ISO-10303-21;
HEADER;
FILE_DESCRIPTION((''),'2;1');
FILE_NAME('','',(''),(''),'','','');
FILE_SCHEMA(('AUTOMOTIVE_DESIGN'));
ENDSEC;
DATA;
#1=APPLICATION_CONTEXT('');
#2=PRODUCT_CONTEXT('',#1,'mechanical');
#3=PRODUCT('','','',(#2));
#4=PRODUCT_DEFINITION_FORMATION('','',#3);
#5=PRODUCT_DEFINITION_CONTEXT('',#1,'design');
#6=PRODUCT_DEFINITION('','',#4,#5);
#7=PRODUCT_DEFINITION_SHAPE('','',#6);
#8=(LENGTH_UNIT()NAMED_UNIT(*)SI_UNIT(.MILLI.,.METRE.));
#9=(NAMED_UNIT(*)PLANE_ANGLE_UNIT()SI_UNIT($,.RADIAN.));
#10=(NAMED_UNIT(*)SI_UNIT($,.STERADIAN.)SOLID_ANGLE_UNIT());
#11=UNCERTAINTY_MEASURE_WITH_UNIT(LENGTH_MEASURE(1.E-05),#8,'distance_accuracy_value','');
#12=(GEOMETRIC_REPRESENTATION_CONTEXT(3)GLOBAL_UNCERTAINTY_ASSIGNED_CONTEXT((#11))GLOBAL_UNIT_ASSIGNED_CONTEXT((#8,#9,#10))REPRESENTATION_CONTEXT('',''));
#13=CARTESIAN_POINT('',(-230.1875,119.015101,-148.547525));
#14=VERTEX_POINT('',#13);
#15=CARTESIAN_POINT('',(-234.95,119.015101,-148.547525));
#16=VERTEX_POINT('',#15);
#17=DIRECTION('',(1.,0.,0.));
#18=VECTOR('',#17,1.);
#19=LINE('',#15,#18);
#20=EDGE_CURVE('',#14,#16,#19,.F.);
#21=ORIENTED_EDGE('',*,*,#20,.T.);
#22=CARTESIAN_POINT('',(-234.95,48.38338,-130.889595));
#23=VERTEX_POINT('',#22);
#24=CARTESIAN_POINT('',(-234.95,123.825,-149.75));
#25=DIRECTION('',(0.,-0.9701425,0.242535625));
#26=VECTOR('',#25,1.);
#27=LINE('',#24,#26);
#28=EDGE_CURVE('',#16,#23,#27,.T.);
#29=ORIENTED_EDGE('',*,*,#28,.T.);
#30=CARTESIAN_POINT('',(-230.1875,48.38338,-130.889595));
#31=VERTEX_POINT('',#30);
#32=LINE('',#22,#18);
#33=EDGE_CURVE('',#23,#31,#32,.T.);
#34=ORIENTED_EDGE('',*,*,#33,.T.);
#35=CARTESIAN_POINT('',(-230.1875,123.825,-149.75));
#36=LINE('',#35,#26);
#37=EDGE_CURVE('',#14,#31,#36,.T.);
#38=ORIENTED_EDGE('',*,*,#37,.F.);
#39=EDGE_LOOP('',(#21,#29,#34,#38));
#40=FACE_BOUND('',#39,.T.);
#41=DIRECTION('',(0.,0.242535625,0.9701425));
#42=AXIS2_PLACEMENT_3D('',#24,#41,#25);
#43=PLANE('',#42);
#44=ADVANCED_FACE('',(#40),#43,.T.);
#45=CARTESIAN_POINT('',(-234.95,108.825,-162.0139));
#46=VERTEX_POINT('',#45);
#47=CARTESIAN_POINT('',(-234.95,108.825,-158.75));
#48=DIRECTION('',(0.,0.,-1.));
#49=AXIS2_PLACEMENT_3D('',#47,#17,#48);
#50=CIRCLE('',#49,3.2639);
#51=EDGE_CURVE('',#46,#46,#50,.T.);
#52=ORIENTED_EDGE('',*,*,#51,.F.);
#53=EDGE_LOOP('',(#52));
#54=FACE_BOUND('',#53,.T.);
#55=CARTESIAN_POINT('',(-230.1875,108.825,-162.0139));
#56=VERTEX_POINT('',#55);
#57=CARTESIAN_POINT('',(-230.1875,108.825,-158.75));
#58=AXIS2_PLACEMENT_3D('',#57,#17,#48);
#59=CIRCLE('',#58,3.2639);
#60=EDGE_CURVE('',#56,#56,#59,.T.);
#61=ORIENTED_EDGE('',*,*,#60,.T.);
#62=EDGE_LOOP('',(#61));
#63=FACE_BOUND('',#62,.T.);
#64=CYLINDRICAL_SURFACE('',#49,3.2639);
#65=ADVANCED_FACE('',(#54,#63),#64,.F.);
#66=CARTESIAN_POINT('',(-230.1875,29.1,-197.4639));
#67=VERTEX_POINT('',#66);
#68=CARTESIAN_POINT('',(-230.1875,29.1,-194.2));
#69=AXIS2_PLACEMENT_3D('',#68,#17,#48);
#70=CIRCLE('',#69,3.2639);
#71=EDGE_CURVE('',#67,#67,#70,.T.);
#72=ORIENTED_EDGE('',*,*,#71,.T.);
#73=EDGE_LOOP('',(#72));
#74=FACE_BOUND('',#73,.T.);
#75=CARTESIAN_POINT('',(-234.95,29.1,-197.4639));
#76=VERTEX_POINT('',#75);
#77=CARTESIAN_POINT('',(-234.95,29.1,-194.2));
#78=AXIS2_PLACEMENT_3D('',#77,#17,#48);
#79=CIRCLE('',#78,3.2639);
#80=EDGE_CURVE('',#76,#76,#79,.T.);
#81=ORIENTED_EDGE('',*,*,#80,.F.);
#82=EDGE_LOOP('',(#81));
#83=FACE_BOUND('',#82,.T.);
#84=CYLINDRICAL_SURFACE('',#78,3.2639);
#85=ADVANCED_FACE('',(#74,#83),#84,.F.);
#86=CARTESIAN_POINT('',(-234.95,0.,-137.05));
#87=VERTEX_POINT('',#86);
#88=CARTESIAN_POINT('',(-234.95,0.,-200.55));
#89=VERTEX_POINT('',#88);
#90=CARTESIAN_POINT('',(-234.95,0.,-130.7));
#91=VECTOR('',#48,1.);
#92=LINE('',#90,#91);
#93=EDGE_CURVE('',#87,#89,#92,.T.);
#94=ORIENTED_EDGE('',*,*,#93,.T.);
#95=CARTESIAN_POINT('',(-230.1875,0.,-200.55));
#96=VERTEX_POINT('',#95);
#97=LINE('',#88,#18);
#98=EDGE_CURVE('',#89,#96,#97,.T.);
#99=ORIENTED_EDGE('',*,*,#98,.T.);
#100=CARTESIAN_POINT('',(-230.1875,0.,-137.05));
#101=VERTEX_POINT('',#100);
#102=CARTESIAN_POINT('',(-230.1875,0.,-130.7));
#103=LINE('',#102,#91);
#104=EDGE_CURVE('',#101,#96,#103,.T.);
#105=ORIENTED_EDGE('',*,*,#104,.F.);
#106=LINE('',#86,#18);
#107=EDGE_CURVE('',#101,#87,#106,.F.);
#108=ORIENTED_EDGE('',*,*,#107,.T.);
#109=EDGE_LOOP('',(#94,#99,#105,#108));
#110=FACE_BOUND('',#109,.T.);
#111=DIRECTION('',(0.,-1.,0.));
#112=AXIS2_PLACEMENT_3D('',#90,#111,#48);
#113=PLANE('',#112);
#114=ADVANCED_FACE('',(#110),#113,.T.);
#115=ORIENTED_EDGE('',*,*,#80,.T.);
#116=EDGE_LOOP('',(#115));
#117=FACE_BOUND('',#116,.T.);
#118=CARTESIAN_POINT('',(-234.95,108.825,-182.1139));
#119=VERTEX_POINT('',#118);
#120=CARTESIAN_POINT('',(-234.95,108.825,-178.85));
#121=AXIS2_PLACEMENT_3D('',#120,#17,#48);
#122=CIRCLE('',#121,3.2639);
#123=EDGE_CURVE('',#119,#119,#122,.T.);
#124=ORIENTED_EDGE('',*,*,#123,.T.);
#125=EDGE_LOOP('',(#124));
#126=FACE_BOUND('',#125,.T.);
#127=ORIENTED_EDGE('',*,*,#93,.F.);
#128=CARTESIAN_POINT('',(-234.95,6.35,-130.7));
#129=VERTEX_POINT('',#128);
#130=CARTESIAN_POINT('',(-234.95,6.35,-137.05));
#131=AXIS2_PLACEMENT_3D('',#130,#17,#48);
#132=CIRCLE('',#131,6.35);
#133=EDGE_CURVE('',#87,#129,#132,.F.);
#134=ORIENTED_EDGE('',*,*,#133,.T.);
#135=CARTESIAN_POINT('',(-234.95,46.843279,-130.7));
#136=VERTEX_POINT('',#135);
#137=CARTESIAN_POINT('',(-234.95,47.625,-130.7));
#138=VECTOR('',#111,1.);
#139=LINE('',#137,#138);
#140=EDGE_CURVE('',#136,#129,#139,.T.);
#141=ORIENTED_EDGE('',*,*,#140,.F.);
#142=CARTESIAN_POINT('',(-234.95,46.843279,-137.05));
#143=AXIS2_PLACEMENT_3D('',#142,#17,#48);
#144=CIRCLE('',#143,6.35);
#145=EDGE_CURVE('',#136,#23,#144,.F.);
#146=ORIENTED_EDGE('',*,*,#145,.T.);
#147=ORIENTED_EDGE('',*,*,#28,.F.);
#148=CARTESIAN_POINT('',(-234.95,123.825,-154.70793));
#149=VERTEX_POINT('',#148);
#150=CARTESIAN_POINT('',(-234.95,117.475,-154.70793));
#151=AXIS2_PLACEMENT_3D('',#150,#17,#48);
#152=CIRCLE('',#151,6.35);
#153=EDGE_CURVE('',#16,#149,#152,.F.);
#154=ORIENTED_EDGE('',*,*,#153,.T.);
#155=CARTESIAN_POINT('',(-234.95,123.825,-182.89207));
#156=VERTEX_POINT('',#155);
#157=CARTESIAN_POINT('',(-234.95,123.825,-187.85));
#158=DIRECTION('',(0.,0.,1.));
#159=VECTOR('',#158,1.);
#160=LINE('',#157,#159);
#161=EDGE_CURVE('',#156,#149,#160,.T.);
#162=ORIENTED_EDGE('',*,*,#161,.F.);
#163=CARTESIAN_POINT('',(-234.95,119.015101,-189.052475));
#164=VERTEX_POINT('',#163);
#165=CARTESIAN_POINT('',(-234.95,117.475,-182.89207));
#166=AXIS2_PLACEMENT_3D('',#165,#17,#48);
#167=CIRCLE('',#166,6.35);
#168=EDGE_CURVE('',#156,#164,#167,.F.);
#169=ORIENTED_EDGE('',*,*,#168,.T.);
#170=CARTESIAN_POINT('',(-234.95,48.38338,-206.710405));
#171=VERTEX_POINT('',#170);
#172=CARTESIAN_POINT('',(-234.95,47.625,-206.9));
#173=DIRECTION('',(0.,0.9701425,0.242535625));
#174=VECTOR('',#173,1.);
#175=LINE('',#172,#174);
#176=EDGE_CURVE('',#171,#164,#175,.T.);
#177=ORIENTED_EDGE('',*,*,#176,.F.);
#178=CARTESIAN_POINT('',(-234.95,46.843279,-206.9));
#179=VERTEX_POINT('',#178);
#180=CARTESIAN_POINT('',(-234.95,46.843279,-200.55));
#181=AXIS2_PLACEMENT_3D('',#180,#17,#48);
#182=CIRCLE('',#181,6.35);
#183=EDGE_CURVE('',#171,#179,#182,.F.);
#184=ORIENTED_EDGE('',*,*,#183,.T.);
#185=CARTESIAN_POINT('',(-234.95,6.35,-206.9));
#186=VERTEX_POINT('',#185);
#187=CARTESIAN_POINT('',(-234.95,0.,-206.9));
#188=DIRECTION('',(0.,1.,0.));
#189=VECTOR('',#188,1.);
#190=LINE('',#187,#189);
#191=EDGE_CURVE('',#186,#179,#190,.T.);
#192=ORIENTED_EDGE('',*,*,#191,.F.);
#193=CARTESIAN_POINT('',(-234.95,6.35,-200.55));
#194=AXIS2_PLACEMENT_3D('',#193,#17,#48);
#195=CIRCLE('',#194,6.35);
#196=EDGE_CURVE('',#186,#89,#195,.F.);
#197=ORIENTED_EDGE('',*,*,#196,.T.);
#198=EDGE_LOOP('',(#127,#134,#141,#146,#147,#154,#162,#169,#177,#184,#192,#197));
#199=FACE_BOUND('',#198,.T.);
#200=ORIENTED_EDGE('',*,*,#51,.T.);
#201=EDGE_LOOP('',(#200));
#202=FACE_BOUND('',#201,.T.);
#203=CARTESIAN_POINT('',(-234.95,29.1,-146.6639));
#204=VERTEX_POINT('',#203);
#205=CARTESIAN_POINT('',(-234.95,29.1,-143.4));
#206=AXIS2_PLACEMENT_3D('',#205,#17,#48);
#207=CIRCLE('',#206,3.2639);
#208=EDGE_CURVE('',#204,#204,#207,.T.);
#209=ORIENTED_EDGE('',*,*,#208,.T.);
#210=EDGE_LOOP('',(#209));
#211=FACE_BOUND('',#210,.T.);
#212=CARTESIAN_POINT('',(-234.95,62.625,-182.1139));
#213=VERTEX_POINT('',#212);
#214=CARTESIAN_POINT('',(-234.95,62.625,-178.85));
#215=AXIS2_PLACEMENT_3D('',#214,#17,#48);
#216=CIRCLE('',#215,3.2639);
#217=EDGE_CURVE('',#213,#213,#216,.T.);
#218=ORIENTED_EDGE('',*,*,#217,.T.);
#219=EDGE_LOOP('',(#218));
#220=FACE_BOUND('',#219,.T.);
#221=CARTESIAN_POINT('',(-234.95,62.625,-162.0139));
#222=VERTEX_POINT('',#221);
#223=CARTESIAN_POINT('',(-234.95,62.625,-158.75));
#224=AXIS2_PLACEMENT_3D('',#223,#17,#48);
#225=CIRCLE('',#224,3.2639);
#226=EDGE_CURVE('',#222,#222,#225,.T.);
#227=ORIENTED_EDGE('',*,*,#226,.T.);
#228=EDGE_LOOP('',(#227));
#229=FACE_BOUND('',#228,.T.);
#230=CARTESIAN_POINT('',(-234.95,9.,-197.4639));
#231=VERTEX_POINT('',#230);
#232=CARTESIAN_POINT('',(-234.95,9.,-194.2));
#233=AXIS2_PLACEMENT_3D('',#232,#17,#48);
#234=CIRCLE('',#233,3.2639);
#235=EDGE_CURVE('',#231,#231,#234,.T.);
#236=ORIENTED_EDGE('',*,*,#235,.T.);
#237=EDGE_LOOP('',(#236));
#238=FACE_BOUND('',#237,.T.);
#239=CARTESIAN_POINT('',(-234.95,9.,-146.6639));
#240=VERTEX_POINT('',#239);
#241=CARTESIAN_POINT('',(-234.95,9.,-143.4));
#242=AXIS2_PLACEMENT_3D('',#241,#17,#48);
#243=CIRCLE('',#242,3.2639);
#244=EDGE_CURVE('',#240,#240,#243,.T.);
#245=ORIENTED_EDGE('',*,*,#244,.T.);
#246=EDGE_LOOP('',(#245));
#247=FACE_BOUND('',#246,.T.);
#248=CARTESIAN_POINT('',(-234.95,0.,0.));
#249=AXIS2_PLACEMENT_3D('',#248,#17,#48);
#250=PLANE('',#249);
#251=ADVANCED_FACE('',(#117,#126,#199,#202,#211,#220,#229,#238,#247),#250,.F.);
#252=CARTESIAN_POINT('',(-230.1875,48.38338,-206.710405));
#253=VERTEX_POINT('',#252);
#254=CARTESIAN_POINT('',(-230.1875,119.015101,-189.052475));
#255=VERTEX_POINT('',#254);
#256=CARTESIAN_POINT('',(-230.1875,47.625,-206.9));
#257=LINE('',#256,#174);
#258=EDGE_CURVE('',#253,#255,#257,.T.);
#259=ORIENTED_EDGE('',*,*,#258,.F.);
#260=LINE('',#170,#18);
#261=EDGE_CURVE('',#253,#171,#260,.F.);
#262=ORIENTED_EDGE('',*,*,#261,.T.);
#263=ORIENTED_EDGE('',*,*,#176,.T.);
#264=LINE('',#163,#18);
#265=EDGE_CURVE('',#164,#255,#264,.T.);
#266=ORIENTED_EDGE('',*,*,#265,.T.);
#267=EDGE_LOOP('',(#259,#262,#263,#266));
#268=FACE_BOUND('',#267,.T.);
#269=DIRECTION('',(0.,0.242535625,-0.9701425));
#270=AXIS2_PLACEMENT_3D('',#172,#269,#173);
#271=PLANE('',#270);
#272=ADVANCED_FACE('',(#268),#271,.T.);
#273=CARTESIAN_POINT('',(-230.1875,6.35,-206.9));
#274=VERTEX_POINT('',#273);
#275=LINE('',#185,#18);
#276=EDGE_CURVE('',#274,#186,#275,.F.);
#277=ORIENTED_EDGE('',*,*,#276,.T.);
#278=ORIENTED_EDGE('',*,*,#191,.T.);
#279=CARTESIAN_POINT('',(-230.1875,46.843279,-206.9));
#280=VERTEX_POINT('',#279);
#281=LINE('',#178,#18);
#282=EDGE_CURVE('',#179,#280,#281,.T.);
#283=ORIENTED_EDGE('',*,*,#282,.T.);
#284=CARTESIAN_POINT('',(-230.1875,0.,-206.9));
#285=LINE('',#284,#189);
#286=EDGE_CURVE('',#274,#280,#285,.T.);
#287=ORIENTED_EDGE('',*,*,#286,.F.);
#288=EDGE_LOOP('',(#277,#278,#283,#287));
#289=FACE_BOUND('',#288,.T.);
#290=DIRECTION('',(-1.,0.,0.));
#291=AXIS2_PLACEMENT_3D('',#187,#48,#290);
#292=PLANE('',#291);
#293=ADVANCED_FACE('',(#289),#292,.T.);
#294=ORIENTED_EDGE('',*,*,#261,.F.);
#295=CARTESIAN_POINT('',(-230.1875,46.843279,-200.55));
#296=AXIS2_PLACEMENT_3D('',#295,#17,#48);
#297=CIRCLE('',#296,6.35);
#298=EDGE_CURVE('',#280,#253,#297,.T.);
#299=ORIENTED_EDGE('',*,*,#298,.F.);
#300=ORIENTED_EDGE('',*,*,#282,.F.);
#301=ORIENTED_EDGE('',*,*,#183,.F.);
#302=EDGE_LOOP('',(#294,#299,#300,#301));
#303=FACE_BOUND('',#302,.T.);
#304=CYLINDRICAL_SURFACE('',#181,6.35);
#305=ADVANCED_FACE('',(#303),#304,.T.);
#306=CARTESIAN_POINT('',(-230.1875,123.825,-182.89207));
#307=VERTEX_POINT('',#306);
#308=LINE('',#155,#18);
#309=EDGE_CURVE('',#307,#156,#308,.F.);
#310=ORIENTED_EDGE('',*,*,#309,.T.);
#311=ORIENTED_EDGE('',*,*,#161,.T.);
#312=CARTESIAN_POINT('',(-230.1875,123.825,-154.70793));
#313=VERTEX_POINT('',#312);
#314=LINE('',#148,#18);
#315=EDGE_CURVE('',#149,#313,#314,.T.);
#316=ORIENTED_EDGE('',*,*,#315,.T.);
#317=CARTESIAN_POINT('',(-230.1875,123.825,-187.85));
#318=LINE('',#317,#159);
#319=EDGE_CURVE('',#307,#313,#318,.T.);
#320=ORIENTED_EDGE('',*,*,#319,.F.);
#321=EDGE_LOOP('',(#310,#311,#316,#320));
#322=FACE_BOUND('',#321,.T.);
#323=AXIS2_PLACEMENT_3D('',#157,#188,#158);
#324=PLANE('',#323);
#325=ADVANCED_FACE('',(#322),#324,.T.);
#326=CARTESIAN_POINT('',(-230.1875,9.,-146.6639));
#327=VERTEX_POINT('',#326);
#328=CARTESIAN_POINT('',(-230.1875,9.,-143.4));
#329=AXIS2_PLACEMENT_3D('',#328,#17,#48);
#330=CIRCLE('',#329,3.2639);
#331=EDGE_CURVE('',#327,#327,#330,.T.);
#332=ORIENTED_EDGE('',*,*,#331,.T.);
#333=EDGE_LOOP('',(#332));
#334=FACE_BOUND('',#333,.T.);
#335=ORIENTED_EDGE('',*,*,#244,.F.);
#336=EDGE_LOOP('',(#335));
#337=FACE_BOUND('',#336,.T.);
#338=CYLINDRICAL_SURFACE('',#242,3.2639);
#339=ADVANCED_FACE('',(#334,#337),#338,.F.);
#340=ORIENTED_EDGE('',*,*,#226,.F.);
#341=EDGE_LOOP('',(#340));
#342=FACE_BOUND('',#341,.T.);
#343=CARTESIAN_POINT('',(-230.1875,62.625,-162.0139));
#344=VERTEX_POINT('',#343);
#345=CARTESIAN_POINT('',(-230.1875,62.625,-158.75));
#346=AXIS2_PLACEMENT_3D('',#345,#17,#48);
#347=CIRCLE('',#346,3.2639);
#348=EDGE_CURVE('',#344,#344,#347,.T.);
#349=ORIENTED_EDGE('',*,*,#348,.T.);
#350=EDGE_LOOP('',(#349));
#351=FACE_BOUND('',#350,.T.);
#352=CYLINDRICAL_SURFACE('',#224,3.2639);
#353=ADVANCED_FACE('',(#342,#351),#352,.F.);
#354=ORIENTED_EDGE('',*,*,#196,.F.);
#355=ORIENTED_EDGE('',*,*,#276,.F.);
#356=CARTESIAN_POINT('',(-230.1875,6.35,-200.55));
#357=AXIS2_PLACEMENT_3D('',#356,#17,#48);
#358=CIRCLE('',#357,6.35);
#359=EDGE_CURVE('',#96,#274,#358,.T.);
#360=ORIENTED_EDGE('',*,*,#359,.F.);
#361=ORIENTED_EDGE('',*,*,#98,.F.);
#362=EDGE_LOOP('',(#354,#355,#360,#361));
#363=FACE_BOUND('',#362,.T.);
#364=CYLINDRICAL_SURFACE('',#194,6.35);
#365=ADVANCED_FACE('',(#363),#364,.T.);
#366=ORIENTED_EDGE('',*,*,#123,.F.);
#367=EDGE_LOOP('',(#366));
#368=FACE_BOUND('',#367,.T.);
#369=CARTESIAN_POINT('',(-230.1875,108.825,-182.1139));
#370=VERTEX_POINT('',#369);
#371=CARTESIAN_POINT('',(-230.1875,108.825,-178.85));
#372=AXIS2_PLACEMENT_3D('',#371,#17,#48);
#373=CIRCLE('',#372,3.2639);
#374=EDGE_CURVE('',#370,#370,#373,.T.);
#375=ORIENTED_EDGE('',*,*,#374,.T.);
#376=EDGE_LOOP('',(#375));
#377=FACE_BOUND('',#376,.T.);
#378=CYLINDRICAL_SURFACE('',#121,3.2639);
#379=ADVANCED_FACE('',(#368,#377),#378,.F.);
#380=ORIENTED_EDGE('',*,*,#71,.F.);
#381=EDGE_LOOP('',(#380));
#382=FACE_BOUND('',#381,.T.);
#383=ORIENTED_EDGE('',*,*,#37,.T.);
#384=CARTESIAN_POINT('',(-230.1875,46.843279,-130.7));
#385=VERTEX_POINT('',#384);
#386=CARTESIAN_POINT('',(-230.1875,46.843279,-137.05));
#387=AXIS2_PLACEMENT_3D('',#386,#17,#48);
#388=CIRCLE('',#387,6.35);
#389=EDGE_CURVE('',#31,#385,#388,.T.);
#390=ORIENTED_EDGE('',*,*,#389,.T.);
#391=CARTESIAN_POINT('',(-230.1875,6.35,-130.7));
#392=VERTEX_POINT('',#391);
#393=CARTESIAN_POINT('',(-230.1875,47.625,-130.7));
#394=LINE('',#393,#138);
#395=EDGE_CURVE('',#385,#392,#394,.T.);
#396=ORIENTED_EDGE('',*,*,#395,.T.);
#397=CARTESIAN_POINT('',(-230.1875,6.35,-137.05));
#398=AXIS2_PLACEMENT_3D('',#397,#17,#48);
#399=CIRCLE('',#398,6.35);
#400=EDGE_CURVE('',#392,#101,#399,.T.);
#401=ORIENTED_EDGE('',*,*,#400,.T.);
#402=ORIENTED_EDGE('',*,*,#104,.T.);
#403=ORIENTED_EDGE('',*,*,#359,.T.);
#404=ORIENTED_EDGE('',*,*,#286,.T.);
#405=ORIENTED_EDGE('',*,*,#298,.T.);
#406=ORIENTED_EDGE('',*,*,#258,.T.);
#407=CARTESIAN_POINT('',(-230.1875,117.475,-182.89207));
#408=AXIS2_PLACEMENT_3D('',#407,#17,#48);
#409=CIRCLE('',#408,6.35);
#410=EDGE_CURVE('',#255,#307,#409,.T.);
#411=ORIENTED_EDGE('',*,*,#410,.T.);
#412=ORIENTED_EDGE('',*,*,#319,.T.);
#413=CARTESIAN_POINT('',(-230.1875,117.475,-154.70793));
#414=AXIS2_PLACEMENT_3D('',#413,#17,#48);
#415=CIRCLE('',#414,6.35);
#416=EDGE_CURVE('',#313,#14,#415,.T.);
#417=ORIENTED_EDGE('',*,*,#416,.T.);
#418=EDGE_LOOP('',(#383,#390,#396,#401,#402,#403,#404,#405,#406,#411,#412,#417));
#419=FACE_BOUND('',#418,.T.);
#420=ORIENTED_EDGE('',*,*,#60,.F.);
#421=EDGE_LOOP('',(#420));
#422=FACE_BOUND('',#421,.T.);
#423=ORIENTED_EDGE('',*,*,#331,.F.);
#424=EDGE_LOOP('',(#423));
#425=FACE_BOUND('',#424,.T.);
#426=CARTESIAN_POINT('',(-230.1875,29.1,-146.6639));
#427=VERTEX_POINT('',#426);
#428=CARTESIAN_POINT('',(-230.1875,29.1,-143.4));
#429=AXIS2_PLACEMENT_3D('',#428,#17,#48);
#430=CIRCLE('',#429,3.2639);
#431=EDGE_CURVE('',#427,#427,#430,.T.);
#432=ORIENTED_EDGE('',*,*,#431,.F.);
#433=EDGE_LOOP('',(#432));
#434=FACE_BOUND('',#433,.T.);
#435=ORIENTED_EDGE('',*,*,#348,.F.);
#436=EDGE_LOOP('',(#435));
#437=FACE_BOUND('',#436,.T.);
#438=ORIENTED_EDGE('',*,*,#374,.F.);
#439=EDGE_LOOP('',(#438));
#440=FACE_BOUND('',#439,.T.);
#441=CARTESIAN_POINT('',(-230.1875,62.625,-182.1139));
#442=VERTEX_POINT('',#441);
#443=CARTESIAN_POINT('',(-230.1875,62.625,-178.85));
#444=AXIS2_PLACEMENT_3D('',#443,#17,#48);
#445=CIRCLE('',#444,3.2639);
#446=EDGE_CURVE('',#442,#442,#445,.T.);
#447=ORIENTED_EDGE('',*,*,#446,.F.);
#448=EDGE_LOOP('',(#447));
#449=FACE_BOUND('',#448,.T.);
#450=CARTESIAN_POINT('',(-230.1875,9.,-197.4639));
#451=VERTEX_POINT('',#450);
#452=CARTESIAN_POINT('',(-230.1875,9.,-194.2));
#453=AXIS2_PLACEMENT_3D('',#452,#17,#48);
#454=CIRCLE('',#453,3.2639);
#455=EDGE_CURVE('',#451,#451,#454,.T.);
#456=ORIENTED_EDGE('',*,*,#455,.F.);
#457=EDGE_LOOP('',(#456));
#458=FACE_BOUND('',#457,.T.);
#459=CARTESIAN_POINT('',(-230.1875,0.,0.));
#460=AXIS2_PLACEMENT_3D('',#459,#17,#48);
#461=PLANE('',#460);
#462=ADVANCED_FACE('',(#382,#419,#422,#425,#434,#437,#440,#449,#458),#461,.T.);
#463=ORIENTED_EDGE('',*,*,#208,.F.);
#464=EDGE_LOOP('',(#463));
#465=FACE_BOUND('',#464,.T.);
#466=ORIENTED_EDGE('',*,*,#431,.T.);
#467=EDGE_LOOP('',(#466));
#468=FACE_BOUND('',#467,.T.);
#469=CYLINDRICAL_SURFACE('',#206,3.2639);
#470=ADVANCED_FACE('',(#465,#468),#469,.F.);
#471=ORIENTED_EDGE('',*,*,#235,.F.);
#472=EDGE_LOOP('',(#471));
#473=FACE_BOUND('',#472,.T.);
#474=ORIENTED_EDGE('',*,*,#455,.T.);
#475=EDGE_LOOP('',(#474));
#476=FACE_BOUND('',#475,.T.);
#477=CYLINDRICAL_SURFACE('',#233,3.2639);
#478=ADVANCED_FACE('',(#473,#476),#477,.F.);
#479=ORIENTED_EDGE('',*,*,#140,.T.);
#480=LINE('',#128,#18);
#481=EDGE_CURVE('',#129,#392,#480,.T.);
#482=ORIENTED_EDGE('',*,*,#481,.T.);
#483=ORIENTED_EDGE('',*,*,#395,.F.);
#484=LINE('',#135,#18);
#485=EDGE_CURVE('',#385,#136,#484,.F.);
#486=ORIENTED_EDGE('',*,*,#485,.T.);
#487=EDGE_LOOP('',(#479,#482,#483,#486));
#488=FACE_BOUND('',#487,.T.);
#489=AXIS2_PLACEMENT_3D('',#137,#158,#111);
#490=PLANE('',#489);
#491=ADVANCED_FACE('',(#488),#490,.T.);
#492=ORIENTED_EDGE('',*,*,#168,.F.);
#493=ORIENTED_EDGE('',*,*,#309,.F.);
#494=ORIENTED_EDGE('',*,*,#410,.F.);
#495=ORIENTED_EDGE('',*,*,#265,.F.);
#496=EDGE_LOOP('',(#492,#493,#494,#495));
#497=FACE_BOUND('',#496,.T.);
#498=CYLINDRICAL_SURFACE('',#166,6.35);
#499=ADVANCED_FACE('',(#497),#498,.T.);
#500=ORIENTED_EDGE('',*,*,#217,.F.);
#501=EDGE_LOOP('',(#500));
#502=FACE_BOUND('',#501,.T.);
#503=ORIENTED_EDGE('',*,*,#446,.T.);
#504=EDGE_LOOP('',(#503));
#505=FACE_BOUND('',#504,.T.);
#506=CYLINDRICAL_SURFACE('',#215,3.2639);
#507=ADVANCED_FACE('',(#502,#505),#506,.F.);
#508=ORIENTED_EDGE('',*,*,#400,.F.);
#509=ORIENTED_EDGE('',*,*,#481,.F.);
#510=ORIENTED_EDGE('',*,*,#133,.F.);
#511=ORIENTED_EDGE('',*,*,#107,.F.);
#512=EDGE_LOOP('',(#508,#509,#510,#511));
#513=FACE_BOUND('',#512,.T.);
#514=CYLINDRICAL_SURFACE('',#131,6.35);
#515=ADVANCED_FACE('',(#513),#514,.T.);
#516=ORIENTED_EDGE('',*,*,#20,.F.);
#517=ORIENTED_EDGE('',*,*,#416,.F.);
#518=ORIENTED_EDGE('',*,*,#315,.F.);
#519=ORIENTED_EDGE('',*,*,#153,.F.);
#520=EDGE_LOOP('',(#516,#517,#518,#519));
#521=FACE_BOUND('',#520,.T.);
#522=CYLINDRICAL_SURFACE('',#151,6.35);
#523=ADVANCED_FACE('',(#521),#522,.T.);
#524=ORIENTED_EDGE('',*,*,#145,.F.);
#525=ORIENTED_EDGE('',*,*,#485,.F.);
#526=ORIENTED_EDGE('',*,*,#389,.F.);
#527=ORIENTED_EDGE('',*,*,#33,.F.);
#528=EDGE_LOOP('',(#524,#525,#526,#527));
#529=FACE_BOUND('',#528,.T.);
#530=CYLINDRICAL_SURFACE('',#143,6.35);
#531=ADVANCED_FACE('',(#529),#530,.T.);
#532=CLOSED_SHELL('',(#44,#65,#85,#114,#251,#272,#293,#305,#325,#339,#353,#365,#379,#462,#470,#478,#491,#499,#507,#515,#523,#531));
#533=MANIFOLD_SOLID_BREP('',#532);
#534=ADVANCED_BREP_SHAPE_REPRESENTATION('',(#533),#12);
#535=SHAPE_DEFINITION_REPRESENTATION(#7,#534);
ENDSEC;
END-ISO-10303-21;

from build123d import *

# Parameters (mm, degrees)
SKETCH1_R           = 3.2639
BOSS_EXTRUDE1_DEPTH = 4.7625
FILLET1_R           = 6.35


with BuildPart() as part:
    # Sketch1 → Boss-Extrude1 (new body)
    with BuildSketch(Plane(origin=(-230.1875, 0, 0), x_dir=(0, 0, -1), z_dir=(1, 0, 0))):
        Polygon((130.7, 0), (206.9, 0), (206.9, 47.625), (187.85, 123.825), (149.75, 123.825), (130.7, 47.625), align=None)
        with Locations((194.2, 29.1)):
            Circle(SKETCH1_R, mode=Mode.SUBTRACT)
        with Locations((158.75, 108.825000028)):
            Circle(SKETCH1_R, mode=Mode.SUBTRACT)
        with Locations((178.85, 108.825000028)):
            Circle(SKETCH1_R, mode=Mode.SUBTRACT)
        with Locations((178.85, 62.625)):
            Circle(SKETCH1_R, mode=Mode.SUBTRACT)
        with Locations((158.75, 62.625)):
            Circle(SKETCH1_R, mode=Mode.SUBTRACT)
        with Locations((143.4, 29.1)):
            Circle(SKETCH1_R, mode=Mode.SUBTRACT)
        with Locations((143.4, 9)):
            Circle(SKETCH1_R, mode=Mode.SUBTRACT)
        with Locations((194.2, 9)):
            Circle(SKETCH1_R, mode=Mode.SUBTRACT)
    extrude(amount=-BOSS_EXTRUDE1_DEPTH)

    # Fillet1
    fillet1_edges = [part.edges().sort_by_distance(p)[0] for p in [
        (-232.56875, 0, -130.7),
        (-232.56875, 0, -206.9),
        (-232.56875, 47.625, -206.9),
        (-232.56875, 47.625, -130.7),
        (-232.56875, 123.825, -187.85),
        (-232.56875, 123.825, -149.75),
    ]]
    fillet(fillet1_edges, radius=FILLET1_R)


solid = part.part
